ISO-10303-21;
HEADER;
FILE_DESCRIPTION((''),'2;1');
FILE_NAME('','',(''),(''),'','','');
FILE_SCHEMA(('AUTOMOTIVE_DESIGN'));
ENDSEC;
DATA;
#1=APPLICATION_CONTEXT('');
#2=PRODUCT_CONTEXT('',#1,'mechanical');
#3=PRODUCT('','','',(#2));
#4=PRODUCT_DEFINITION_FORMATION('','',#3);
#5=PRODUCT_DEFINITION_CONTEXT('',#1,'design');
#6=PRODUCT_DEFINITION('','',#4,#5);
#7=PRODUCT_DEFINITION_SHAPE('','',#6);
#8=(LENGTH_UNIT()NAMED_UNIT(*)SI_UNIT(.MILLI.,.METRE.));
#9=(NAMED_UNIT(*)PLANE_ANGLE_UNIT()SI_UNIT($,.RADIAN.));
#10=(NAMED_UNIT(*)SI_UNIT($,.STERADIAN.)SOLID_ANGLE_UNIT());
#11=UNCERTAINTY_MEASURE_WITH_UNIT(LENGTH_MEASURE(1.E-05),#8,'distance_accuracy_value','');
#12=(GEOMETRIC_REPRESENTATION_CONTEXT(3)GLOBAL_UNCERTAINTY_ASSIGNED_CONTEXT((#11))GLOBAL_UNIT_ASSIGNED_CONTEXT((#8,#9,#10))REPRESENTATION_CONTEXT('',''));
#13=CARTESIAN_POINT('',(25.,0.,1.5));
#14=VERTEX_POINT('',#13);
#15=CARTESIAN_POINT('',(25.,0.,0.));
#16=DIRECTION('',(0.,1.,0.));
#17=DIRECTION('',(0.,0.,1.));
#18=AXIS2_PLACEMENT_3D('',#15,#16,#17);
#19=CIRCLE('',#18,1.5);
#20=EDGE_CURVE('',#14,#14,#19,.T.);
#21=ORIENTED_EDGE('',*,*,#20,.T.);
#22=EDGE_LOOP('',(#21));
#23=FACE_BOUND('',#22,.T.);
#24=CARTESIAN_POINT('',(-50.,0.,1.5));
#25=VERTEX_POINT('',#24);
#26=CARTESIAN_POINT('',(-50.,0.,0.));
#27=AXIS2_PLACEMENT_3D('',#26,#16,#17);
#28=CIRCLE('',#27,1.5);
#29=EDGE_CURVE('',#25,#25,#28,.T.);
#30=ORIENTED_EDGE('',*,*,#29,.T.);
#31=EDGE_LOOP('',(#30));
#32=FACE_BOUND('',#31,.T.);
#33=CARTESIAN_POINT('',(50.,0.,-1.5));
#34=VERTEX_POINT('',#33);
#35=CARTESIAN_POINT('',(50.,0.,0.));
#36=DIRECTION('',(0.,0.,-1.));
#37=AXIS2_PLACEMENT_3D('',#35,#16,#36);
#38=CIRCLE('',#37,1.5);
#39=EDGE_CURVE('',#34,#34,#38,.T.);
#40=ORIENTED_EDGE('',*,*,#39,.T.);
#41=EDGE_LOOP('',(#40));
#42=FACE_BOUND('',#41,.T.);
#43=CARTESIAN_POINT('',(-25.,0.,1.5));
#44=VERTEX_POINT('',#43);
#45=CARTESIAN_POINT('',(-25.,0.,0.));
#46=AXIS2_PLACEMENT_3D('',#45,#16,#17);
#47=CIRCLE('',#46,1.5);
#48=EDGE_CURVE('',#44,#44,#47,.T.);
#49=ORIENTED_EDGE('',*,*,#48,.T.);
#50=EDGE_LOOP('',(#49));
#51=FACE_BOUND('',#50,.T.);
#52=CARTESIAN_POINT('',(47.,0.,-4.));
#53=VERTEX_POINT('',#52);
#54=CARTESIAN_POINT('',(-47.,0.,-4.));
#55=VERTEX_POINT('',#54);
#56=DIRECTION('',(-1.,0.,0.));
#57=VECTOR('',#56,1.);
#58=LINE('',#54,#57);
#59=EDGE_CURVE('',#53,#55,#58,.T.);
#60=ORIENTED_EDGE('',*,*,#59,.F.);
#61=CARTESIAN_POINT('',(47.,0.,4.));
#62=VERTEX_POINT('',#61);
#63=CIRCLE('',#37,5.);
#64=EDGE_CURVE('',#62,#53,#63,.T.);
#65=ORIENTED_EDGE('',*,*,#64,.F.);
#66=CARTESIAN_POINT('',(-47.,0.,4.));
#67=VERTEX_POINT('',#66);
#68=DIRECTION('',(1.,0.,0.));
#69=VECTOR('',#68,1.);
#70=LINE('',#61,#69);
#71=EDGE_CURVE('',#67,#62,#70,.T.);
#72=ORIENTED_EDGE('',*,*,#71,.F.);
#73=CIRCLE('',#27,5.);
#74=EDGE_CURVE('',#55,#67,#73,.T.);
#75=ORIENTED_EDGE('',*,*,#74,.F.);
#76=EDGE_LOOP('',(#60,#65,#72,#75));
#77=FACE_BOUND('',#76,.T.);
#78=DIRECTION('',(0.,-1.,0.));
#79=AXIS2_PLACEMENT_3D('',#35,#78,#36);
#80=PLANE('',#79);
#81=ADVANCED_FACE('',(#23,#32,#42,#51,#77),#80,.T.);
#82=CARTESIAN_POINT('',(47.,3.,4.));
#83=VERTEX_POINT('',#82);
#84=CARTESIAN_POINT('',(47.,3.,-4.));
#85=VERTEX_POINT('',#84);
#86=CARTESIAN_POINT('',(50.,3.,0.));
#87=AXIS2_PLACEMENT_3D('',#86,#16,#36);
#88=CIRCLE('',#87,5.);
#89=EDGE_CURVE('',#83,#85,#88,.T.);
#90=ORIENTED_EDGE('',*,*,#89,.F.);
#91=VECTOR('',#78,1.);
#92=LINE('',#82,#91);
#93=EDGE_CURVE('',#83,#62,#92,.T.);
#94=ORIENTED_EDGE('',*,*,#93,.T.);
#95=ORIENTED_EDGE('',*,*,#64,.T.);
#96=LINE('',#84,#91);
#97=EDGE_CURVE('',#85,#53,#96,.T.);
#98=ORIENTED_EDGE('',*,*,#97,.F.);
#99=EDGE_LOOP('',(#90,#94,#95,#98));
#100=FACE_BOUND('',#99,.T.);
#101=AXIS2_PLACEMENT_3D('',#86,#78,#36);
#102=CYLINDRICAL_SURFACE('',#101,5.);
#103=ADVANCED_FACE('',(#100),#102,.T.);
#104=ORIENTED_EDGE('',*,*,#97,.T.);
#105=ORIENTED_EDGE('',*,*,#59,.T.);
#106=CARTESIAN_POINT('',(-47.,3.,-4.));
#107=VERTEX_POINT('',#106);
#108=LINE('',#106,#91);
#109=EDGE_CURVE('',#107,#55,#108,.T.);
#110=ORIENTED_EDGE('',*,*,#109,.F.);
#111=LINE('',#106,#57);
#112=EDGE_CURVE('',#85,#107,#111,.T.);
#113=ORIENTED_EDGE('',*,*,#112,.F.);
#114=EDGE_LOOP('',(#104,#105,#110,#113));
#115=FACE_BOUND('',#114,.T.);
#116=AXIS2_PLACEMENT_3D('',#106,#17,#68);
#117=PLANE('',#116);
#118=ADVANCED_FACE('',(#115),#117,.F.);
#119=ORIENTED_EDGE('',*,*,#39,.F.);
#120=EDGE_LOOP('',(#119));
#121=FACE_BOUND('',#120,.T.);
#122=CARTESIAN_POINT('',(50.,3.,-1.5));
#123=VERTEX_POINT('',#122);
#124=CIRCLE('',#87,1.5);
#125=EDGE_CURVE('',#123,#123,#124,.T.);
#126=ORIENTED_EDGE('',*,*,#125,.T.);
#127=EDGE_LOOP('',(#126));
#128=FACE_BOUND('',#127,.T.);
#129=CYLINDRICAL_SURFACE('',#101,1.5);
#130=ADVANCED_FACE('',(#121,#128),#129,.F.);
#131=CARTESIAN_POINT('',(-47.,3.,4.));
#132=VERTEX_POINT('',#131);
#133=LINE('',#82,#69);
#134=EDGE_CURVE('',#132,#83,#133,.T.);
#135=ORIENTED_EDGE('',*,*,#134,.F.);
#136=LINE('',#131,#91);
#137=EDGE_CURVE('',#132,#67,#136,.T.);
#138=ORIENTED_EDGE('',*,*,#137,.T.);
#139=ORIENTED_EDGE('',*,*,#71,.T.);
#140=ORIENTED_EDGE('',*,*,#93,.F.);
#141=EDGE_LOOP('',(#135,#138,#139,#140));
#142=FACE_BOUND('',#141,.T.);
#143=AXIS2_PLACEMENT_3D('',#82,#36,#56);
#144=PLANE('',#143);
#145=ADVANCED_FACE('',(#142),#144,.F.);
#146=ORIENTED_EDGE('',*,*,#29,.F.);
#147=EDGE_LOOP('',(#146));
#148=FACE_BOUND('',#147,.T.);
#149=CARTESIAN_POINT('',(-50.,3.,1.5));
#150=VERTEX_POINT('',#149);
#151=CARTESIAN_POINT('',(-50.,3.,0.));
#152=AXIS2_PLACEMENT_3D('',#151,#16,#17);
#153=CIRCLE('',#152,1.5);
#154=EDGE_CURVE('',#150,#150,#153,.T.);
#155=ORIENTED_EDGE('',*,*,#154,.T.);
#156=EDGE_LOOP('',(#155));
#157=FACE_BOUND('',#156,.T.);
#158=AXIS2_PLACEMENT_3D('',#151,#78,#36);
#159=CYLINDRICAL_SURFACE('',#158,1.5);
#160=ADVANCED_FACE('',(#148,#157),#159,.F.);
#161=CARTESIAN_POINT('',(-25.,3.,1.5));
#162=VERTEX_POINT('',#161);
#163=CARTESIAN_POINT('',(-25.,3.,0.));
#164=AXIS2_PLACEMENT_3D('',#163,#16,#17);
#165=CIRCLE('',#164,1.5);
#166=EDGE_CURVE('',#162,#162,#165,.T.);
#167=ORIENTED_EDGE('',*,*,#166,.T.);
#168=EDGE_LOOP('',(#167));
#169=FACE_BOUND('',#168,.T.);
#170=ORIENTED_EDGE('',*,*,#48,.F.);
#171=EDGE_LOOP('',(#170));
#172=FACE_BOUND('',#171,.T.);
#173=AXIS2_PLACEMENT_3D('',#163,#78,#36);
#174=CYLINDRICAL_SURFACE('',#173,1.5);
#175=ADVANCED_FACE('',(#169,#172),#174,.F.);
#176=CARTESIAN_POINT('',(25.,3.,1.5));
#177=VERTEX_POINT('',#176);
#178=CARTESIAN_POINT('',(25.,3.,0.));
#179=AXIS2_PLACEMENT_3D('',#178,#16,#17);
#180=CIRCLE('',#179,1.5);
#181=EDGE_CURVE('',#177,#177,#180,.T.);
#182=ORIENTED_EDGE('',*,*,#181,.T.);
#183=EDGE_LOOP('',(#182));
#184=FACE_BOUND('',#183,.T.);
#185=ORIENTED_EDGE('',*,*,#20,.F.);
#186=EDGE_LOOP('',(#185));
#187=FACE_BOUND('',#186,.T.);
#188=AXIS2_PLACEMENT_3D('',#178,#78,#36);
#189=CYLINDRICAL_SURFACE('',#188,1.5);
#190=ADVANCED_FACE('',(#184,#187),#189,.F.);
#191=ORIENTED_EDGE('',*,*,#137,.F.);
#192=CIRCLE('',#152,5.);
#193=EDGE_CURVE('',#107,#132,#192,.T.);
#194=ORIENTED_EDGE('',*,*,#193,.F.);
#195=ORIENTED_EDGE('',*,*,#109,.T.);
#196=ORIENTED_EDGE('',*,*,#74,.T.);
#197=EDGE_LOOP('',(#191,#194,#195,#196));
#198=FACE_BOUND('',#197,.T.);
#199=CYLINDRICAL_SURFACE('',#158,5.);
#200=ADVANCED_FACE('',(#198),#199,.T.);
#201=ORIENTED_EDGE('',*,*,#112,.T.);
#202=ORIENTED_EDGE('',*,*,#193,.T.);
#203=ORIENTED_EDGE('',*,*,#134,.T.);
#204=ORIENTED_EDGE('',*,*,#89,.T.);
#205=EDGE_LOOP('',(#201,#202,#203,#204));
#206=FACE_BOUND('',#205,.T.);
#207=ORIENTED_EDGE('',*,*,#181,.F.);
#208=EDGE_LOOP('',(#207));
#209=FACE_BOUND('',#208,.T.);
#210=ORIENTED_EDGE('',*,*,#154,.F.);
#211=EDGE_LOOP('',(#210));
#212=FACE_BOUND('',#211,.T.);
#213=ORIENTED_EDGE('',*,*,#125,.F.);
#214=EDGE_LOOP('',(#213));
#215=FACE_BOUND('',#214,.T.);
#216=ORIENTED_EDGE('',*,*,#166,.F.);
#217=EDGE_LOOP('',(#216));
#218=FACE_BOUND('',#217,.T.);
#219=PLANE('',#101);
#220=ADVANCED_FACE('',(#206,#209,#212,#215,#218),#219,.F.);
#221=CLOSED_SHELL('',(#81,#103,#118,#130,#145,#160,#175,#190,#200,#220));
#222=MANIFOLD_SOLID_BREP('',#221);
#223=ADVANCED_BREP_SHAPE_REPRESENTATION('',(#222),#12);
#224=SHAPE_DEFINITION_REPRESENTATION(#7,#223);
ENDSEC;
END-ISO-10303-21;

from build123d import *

# Parameters (mm, degrees)
CROQUIS1_R              = 1.5
SALIENTE_EXTRUIR1_DEPTH = 3


with BuildPart() as part:
    # Croquis1 → Saliente-Extruir1 (new body)
    with BuildSketch(Plane(origin=(0, 0, 0), x_dir=(1, 0, 0), z_dir=(0, 1, 0))):
        with BuildLine():
            Line((-47, 4), (47, 4))
            ThreePointArc((47, 4), (55, 0), (47, -4))
            Line((47, -4), (-47, -4))
            ThreePointArc((-47, -4), (-55, 0), (-47, 4))
        make_face()
        with Locations(Location((-50, 0, 0), (0, 0, 270))):
            Circle(CROQUIS1_R, mode=Mode.SUBTRACT)
        with Locations(Location((50, 0, 0), (0, 0, 90))):
            Circle(CROQUIS1_R, mode=Mode.SUBTRACT)
        with Locations(Location((25, 0, 0), (0, 0, 270))):
            Circle(CROQUIS1_R, mode=Mode.SUBTRACT)
        with Locations(Location((-25, 0, 0), (0, 0, 270))):
            Circle(CROQUIS1_R, mode=Mode.SUBTRACT)
    extrude(amount=SALIENTE_EXTRUIR1_DEPTH)


solid = part.part
